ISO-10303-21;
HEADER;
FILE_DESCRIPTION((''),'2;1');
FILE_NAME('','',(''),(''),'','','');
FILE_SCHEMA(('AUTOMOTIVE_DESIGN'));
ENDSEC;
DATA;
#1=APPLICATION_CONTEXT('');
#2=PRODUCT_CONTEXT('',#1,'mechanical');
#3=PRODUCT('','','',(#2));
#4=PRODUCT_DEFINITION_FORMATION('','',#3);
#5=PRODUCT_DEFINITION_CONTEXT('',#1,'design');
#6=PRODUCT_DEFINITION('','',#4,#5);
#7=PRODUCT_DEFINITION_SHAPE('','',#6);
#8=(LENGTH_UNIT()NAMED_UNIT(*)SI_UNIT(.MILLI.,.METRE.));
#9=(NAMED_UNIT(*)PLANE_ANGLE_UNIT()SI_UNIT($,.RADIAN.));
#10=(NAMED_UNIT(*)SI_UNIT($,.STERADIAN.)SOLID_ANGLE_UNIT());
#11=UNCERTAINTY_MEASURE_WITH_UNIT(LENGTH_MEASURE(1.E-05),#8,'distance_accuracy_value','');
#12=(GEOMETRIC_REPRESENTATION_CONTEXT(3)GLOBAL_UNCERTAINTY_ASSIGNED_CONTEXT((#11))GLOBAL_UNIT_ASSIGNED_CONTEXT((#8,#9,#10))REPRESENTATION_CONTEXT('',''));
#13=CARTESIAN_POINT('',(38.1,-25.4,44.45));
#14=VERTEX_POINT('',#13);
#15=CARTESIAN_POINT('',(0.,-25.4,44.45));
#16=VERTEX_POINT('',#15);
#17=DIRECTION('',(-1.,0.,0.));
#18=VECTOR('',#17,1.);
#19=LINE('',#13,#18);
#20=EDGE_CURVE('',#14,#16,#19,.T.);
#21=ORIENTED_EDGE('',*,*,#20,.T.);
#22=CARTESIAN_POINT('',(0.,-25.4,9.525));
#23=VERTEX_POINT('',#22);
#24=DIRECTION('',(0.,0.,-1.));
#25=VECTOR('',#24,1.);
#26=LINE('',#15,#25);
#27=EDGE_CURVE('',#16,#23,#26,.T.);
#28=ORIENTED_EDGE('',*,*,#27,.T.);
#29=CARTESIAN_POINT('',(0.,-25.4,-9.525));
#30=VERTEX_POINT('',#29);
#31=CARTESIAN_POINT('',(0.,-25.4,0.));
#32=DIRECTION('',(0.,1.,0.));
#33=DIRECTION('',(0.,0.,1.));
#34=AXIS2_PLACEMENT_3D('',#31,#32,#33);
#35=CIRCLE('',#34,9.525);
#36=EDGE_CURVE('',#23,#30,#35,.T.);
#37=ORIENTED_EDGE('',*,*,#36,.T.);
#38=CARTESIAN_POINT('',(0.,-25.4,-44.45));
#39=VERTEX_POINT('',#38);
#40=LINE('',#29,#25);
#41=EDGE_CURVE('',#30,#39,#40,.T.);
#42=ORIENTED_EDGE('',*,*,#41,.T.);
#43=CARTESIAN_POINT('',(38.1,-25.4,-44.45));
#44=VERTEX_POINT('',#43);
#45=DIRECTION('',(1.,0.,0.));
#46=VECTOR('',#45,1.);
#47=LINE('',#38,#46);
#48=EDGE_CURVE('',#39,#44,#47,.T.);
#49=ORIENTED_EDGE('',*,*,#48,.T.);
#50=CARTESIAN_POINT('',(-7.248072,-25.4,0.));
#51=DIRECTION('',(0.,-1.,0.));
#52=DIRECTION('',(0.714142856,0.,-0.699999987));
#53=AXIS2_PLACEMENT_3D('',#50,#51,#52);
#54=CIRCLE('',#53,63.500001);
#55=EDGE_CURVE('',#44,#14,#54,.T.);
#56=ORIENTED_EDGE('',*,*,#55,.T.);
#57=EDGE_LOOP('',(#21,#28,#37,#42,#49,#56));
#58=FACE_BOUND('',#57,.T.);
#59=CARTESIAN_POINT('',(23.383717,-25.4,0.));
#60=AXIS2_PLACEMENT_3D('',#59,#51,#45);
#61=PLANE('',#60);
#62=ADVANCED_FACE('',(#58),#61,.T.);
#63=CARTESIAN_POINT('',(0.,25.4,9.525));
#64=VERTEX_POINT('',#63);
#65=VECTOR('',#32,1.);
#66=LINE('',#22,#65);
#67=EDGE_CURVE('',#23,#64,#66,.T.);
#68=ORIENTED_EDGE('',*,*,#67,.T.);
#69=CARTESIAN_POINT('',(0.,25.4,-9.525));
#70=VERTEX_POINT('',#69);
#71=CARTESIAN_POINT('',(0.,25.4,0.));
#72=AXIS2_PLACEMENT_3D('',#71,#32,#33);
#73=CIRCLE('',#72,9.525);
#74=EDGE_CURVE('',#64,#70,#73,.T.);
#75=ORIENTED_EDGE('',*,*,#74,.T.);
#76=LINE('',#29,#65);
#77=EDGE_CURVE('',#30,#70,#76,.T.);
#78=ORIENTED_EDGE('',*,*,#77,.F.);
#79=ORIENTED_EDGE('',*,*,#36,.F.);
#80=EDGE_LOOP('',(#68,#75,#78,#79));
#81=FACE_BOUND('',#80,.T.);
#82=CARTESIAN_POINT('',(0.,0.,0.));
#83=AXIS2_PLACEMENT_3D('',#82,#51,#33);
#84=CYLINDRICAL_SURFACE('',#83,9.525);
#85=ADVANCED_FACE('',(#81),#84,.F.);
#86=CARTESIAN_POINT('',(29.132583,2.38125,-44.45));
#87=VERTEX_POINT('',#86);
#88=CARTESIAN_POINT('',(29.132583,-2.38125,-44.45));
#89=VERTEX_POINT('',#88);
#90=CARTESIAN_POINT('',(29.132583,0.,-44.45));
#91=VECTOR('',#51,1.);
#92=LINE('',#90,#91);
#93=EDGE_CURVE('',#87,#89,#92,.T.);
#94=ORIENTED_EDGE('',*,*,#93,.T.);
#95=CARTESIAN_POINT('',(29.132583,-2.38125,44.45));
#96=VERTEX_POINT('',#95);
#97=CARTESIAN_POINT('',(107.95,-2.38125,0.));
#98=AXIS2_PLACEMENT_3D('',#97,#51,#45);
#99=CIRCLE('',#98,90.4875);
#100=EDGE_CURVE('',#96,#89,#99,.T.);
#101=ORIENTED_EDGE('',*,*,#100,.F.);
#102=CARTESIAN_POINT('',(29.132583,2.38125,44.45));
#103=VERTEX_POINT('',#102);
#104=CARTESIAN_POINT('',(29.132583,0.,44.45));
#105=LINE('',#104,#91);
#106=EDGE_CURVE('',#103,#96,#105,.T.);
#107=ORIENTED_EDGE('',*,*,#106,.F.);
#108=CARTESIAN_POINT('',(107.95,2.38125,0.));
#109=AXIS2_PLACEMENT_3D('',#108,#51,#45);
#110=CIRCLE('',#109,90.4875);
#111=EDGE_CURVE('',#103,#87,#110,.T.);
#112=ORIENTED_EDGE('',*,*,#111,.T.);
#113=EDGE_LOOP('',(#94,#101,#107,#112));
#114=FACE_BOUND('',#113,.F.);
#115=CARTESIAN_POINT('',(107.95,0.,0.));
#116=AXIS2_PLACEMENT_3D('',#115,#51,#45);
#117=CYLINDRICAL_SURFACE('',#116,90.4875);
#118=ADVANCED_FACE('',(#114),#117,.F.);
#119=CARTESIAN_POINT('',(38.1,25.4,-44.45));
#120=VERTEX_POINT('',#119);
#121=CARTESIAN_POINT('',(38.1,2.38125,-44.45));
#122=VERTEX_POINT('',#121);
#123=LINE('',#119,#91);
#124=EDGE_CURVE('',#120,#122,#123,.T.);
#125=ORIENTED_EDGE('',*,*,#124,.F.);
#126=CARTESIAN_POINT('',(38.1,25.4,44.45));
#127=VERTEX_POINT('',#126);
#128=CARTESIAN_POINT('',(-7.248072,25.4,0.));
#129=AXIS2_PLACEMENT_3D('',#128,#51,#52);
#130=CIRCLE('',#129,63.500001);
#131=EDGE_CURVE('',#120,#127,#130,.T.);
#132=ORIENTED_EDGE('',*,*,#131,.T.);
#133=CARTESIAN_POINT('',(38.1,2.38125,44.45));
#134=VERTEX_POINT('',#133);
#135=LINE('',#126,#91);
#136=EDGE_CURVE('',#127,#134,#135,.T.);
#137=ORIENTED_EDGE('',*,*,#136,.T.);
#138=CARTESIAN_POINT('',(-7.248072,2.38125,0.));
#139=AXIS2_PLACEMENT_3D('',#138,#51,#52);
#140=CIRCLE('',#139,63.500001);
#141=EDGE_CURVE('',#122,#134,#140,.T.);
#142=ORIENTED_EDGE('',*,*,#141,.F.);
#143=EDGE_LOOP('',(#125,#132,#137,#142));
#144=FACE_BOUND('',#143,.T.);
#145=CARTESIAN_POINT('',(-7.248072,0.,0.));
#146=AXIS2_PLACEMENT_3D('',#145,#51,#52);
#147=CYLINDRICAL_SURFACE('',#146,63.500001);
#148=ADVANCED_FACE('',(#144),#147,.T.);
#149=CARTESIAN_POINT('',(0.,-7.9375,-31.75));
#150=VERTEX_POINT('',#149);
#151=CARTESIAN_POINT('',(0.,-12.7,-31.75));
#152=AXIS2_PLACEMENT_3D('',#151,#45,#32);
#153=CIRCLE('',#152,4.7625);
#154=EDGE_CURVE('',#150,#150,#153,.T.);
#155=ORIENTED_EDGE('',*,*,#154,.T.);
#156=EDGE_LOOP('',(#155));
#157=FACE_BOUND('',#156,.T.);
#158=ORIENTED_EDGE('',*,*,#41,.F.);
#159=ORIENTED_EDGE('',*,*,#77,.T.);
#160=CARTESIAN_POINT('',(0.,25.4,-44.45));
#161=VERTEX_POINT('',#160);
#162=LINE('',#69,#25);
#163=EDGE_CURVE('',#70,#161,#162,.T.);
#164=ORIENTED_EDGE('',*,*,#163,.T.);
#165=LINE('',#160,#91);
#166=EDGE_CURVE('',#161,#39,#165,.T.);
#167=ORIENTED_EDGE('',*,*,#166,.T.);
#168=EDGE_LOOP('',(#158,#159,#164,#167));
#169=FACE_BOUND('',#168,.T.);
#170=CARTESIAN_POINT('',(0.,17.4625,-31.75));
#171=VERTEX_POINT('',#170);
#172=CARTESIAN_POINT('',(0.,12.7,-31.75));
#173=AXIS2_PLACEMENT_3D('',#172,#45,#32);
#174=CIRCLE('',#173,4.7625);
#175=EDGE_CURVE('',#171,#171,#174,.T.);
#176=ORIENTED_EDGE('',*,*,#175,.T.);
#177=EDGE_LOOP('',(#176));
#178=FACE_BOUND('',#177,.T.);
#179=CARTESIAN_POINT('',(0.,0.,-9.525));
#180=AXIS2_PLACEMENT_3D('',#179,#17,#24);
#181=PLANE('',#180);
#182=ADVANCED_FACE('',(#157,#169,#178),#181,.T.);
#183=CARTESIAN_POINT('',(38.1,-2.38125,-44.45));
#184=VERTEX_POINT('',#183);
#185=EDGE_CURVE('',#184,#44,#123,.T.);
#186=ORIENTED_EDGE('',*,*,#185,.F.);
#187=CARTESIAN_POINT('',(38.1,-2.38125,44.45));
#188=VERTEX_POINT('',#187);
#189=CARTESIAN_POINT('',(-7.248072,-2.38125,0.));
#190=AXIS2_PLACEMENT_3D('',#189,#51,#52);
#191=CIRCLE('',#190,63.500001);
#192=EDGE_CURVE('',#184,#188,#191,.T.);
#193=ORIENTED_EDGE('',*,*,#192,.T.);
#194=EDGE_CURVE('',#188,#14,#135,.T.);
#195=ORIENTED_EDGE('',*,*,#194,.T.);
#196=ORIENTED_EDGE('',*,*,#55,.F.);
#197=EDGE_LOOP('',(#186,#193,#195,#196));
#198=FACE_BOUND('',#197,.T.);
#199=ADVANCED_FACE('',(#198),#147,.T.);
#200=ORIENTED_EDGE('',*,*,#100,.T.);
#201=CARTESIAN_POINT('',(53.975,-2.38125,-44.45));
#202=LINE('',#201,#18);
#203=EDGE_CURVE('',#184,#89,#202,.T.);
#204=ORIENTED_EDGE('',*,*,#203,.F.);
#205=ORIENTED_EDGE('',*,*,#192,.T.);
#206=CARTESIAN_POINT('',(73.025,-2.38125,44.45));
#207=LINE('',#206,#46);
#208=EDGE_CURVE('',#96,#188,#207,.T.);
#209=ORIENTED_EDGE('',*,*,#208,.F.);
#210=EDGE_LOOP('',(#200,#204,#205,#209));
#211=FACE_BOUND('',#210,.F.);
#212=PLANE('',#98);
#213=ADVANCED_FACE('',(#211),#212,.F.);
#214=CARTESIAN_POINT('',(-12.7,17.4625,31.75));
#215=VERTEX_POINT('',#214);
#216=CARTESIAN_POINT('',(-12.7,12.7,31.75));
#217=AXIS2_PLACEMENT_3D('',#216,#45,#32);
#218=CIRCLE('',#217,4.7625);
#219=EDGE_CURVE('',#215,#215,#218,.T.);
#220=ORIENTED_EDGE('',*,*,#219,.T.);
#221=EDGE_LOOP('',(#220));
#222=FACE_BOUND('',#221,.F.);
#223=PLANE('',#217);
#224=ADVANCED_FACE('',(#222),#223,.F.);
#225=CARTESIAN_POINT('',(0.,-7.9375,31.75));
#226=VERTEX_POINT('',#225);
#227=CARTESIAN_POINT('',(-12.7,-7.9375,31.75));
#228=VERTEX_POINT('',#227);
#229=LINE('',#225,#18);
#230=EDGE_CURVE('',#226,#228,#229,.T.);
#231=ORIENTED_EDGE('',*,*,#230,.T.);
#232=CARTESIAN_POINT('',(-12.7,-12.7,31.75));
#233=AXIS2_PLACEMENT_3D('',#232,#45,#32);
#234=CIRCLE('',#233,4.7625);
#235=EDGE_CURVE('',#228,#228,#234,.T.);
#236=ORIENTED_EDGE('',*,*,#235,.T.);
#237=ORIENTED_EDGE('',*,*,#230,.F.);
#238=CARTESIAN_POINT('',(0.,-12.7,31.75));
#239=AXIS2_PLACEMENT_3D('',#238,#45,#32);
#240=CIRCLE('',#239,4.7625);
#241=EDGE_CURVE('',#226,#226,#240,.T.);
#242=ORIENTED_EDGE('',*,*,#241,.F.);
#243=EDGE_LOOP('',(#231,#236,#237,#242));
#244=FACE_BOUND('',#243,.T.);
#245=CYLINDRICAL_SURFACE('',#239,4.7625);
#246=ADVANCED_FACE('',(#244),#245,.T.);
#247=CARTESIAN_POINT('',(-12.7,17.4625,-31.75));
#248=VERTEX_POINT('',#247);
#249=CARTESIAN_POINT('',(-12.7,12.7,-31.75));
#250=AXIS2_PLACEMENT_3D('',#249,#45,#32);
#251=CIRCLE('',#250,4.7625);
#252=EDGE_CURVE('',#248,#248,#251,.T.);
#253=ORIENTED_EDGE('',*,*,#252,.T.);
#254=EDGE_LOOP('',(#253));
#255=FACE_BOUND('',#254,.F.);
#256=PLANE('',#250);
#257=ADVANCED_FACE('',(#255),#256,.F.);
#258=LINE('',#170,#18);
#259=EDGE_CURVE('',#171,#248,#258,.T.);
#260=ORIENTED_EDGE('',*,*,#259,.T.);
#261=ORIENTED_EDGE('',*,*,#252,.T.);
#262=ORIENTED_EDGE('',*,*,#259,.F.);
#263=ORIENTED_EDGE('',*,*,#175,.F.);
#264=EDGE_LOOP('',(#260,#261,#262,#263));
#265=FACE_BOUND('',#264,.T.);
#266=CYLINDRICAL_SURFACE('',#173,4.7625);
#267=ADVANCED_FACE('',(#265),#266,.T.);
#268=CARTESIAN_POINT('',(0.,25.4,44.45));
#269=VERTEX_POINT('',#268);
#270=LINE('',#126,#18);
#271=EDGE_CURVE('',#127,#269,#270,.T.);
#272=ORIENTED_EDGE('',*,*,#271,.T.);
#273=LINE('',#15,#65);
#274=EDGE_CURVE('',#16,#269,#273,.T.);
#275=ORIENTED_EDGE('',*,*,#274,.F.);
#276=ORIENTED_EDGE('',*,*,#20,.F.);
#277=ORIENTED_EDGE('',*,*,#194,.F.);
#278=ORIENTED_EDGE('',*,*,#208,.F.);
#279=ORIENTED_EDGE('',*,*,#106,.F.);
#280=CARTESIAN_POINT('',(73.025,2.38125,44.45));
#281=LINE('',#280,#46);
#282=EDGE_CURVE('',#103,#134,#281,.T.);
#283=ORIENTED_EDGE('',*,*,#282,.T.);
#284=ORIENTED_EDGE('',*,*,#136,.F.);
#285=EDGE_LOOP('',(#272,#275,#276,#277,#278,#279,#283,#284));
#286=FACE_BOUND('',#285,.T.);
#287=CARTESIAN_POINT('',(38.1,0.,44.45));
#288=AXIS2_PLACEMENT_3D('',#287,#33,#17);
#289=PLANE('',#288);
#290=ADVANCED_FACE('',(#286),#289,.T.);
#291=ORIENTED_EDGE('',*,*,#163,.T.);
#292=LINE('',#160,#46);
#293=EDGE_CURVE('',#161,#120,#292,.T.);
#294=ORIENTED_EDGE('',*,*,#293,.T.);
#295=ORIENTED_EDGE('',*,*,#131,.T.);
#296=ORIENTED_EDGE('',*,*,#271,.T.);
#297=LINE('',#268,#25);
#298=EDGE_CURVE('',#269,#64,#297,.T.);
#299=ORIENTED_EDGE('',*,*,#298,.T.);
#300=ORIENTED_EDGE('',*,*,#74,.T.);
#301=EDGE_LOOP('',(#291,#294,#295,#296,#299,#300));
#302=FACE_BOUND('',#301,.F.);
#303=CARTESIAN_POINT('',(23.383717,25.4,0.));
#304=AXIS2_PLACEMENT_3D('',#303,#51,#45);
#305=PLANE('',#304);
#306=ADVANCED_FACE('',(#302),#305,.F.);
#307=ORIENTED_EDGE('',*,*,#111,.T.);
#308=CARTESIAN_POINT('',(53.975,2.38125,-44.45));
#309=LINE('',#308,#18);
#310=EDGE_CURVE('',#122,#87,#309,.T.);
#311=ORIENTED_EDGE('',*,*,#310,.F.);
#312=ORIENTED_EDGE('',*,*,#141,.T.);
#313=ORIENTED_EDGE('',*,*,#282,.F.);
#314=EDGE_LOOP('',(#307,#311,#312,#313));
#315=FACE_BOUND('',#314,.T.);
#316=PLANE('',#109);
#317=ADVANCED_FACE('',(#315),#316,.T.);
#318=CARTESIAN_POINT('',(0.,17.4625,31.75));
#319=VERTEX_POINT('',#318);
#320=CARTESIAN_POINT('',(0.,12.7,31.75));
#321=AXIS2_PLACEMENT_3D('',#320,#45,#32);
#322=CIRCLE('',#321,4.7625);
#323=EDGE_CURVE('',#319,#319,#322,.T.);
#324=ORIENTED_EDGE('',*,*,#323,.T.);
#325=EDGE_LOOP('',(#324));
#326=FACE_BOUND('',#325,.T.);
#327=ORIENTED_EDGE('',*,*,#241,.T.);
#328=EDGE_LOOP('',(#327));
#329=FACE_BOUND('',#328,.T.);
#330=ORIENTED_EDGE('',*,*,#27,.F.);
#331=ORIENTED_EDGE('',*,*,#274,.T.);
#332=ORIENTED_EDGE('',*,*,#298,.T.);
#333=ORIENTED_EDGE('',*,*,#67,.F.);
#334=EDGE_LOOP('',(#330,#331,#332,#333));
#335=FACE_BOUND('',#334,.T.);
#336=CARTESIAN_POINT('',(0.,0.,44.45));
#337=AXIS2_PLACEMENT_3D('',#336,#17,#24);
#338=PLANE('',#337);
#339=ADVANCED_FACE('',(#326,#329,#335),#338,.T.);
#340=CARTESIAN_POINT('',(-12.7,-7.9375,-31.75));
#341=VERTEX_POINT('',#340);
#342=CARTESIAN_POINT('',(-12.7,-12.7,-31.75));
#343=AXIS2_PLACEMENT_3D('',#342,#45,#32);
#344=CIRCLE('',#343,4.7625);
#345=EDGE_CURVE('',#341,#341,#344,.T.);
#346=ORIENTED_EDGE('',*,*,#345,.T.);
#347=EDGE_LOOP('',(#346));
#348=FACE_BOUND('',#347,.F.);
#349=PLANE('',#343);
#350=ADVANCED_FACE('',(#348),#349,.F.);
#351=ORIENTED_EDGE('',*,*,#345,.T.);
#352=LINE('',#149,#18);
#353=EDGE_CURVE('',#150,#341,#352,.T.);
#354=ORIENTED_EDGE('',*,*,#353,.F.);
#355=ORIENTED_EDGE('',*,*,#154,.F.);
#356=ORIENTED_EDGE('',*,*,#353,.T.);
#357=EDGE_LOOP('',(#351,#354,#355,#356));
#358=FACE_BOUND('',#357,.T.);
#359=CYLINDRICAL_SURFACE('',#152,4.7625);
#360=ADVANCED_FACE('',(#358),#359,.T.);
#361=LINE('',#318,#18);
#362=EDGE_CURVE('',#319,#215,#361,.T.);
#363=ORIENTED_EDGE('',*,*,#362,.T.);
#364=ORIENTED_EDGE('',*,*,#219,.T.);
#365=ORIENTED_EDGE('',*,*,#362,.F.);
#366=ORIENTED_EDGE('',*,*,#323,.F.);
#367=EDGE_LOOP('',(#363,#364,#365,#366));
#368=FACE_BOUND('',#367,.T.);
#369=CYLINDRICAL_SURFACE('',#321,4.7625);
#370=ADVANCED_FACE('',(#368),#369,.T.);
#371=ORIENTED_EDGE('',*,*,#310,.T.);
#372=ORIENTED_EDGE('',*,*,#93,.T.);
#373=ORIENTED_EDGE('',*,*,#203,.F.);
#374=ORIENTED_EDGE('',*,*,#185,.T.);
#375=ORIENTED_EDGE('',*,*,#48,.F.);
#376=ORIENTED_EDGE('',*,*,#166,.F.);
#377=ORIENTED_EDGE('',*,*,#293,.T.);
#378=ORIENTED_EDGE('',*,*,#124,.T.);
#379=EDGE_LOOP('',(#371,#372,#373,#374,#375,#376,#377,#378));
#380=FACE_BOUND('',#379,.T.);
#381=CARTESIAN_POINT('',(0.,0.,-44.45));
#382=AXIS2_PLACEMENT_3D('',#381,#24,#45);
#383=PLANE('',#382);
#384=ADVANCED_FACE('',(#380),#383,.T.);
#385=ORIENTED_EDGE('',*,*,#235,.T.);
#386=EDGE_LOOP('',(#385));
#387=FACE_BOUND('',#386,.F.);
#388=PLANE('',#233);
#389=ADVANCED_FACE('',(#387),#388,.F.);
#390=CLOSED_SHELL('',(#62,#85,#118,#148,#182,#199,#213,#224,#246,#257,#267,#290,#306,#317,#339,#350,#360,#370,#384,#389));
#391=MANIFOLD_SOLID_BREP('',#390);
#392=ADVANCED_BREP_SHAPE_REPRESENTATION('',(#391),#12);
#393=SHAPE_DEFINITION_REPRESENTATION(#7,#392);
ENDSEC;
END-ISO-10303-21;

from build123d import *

# Parameters (mm, degrees)
F1_DEPTH = 25.4
F2_R     = 90.4875
F3_DEPTH = 2.38125
F4_R     = 4.7625
F5_DEPTH = 12.7


with BuildPart() as f1:
    # F0 (on Front) → F1 (new body, symmetric)
    with BuildSketch(Plane.XZ):
        with BuildLine():
            Line((0, -9.525), (0, -44.45))
            Line((0, -44.45), (38.1, -44.45))
            ThreePointArc((38.1, -44.45), (56.251929, 0), (38.1, 44.45))
            Line((38.1, 44.45), (0, 44.45))
            Line((0, 44.45), (0, 9.525))
            ThreePointArc((0, 9.525), (9.525, 0), (0, -9.525))
        make_face()
    extrude(amount=F1_DEPTH, both=True)

    # F2 (on Front) → F3 (cut, symmetric)
    with BuildSketch(Plane.XZ):
        with Locations((107.95, 0)):
            Circle(F2_R)
    extrude(amount=F3_DEPTH, both=True, mode=Mode.SUBTRACT)

    # F4 (on Right) → F5 (join)
    with BuildSketch(Plane.YZ):
        with Locations((12.7, 31.75)):
            Circle(F4_R)
        with Locations((-12.7, 31.75)):
            Circle(F4_R)
        with Locations((-12.7, -31.75)):
            Circle(F4_R)
        with Locations((12.7, -31.75)):
            Circle(F4_R)
    extrude(amount=-F5_DEPTH)


solid = f1.part
